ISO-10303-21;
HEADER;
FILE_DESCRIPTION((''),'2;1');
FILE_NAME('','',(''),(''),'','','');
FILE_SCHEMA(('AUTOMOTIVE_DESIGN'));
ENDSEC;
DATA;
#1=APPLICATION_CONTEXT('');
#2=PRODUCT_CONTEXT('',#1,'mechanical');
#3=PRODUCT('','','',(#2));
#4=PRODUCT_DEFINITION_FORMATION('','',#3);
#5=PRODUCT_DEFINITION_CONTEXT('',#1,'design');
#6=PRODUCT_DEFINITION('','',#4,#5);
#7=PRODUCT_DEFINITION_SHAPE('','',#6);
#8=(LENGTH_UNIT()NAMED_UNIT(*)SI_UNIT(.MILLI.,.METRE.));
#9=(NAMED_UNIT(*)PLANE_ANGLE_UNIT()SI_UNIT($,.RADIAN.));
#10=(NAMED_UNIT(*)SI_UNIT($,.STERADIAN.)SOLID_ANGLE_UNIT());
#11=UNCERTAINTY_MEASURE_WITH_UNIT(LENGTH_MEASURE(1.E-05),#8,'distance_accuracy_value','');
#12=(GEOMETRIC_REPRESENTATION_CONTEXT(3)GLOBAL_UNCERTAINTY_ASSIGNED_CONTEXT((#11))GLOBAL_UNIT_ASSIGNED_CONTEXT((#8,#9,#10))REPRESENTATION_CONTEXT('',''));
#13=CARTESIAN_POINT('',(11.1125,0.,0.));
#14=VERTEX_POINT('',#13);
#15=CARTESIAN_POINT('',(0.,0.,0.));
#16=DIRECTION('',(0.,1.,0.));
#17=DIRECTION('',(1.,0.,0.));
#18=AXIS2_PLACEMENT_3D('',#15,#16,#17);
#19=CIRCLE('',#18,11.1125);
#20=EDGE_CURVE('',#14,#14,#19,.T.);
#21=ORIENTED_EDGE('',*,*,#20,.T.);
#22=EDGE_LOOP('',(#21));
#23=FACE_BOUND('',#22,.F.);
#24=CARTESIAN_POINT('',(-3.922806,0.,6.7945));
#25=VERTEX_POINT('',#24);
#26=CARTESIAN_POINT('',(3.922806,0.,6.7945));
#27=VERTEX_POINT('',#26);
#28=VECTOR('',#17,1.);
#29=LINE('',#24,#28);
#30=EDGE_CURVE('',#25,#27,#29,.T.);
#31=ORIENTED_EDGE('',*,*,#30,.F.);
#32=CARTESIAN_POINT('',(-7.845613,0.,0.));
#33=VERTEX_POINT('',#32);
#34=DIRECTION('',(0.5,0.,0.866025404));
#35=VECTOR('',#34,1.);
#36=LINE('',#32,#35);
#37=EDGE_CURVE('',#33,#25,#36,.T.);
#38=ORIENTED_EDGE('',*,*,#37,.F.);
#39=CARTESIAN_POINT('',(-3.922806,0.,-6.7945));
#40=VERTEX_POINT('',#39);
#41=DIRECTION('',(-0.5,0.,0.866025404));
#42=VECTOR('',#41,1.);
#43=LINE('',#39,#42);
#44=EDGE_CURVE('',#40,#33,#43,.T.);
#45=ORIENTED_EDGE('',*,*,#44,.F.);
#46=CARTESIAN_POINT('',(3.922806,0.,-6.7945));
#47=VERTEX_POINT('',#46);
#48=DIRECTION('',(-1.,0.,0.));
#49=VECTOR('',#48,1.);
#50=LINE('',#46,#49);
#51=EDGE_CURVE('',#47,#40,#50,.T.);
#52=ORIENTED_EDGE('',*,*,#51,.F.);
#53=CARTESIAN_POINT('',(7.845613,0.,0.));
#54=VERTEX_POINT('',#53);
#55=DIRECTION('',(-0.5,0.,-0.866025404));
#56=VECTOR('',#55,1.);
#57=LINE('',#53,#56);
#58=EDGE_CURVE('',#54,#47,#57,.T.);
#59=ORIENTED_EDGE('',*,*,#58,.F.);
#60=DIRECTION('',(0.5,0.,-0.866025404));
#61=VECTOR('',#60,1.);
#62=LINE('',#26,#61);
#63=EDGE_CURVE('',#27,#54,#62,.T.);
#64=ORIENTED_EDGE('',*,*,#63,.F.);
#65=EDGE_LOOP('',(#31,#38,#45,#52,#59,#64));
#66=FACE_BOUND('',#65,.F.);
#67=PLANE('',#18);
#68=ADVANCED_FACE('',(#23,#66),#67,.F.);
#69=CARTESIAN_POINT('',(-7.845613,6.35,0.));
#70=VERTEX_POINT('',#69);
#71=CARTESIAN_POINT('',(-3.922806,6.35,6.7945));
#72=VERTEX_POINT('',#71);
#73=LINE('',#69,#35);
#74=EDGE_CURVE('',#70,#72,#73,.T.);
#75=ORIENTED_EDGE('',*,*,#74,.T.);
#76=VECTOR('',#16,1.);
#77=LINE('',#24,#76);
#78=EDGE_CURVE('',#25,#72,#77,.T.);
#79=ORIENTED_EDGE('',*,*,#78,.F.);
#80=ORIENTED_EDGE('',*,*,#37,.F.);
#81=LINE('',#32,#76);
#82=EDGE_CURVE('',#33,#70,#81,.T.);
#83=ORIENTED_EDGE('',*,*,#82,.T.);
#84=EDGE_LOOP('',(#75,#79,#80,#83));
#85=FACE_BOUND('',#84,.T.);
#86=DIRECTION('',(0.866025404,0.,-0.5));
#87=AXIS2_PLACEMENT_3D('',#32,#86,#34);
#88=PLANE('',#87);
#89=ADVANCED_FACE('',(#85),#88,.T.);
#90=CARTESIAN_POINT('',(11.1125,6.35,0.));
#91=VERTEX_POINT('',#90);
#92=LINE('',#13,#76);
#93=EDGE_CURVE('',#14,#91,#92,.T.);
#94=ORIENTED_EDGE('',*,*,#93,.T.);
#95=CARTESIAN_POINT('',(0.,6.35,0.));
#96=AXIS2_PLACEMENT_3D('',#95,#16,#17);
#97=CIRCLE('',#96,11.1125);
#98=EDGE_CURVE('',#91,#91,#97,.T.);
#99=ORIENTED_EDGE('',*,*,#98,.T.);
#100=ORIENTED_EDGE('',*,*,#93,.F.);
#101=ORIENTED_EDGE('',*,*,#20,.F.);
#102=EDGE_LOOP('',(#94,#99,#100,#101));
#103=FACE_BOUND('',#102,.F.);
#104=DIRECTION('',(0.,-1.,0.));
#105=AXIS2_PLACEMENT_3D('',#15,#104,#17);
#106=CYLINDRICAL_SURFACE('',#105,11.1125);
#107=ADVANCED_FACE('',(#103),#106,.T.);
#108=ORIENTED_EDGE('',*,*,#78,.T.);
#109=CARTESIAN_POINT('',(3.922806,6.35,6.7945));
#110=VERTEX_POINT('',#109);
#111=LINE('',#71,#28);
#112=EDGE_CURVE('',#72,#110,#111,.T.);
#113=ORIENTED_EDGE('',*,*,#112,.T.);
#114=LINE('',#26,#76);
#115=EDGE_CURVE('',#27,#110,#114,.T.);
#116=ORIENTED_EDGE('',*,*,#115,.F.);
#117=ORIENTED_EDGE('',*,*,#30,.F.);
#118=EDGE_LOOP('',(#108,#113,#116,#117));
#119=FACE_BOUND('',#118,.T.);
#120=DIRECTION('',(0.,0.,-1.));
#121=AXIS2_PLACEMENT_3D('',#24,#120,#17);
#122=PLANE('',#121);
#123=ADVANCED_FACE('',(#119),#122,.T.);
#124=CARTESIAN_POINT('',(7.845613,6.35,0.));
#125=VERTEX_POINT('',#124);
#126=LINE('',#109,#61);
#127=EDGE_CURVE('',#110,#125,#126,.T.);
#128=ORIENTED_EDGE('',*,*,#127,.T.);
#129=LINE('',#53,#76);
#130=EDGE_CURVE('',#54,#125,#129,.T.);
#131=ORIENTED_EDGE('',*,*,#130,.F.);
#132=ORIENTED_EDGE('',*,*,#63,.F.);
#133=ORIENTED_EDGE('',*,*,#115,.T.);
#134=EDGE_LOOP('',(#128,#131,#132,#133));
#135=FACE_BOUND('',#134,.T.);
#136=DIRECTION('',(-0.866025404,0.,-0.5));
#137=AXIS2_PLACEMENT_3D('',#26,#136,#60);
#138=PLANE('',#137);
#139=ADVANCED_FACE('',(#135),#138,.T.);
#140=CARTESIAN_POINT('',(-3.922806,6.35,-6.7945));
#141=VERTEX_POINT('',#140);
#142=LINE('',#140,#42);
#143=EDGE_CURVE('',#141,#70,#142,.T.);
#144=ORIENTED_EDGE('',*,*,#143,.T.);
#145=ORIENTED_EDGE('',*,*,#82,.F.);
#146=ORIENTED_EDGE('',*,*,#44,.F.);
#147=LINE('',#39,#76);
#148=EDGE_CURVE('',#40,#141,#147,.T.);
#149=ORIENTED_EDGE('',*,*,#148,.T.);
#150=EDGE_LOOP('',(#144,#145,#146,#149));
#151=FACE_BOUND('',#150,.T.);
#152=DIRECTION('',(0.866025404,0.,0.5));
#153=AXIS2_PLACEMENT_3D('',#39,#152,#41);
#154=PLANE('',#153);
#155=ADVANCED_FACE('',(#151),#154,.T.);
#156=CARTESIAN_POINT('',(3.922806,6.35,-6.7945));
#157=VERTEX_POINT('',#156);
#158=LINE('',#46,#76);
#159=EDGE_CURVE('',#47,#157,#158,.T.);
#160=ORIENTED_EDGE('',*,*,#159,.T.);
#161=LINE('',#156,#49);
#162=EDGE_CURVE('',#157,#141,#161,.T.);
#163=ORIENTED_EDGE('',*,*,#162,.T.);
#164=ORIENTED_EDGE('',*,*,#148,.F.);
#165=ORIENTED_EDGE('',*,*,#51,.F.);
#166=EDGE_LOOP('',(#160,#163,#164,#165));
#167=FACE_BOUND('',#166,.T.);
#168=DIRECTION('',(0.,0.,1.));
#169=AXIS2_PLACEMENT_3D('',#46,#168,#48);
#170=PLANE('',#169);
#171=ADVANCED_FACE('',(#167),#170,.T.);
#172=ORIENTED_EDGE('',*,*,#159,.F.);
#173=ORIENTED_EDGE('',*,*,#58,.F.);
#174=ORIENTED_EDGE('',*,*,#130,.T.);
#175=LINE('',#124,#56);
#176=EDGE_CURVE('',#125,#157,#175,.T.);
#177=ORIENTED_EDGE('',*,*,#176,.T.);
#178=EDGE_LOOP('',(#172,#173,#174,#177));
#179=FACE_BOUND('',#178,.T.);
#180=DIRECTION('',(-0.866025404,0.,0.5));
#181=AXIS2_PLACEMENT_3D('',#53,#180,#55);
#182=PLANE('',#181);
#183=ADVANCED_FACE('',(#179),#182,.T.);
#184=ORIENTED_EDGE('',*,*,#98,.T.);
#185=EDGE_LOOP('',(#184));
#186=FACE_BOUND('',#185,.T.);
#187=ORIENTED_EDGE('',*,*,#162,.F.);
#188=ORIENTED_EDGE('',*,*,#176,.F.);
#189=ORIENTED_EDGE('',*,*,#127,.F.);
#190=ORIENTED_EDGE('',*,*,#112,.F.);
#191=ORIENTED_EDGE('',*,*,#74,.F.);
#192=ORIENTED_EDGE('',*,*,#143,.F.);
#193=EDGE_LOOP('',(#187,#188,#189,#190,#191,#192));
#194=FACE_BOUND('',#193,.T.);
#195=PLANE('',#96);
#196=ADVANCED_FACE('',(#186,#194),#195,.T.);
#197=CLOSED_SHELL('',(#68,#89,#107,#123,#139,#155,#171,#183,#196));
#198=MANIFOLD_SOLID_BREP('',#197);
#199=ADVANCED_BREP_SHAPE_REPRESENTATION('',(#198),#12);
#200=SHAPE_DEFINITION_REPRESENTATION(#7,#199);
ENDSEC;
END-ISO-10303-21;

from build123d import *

# Parameters (mm, degrees)
SKETCH1_R           = 11.1125
BOSS_EXTRUDE1_DEPTH = 6.35


with BuildPart() as part:
    # Sketch1 → Boss-Extrude1 (new body)
    with BuildSketch(Plane(origin=(0, 0, 0), x_dir=(1, 0, 0), z_dir=(0, 1, 0))):
        Circle(SKETCH1_R)
        Polygon((7.845612808, 0), (3.922806404, 6.7945), (-3.922806404, 6.7945), (-7.845612808, 0), (-3.922806404, -6.7945), (3.922806404, -6.7945), align=None, mode=Mode.SUBTRACT)
    extrude(amount=BOSS_EXTRUDE1_DEPTH)


solid = part.part
